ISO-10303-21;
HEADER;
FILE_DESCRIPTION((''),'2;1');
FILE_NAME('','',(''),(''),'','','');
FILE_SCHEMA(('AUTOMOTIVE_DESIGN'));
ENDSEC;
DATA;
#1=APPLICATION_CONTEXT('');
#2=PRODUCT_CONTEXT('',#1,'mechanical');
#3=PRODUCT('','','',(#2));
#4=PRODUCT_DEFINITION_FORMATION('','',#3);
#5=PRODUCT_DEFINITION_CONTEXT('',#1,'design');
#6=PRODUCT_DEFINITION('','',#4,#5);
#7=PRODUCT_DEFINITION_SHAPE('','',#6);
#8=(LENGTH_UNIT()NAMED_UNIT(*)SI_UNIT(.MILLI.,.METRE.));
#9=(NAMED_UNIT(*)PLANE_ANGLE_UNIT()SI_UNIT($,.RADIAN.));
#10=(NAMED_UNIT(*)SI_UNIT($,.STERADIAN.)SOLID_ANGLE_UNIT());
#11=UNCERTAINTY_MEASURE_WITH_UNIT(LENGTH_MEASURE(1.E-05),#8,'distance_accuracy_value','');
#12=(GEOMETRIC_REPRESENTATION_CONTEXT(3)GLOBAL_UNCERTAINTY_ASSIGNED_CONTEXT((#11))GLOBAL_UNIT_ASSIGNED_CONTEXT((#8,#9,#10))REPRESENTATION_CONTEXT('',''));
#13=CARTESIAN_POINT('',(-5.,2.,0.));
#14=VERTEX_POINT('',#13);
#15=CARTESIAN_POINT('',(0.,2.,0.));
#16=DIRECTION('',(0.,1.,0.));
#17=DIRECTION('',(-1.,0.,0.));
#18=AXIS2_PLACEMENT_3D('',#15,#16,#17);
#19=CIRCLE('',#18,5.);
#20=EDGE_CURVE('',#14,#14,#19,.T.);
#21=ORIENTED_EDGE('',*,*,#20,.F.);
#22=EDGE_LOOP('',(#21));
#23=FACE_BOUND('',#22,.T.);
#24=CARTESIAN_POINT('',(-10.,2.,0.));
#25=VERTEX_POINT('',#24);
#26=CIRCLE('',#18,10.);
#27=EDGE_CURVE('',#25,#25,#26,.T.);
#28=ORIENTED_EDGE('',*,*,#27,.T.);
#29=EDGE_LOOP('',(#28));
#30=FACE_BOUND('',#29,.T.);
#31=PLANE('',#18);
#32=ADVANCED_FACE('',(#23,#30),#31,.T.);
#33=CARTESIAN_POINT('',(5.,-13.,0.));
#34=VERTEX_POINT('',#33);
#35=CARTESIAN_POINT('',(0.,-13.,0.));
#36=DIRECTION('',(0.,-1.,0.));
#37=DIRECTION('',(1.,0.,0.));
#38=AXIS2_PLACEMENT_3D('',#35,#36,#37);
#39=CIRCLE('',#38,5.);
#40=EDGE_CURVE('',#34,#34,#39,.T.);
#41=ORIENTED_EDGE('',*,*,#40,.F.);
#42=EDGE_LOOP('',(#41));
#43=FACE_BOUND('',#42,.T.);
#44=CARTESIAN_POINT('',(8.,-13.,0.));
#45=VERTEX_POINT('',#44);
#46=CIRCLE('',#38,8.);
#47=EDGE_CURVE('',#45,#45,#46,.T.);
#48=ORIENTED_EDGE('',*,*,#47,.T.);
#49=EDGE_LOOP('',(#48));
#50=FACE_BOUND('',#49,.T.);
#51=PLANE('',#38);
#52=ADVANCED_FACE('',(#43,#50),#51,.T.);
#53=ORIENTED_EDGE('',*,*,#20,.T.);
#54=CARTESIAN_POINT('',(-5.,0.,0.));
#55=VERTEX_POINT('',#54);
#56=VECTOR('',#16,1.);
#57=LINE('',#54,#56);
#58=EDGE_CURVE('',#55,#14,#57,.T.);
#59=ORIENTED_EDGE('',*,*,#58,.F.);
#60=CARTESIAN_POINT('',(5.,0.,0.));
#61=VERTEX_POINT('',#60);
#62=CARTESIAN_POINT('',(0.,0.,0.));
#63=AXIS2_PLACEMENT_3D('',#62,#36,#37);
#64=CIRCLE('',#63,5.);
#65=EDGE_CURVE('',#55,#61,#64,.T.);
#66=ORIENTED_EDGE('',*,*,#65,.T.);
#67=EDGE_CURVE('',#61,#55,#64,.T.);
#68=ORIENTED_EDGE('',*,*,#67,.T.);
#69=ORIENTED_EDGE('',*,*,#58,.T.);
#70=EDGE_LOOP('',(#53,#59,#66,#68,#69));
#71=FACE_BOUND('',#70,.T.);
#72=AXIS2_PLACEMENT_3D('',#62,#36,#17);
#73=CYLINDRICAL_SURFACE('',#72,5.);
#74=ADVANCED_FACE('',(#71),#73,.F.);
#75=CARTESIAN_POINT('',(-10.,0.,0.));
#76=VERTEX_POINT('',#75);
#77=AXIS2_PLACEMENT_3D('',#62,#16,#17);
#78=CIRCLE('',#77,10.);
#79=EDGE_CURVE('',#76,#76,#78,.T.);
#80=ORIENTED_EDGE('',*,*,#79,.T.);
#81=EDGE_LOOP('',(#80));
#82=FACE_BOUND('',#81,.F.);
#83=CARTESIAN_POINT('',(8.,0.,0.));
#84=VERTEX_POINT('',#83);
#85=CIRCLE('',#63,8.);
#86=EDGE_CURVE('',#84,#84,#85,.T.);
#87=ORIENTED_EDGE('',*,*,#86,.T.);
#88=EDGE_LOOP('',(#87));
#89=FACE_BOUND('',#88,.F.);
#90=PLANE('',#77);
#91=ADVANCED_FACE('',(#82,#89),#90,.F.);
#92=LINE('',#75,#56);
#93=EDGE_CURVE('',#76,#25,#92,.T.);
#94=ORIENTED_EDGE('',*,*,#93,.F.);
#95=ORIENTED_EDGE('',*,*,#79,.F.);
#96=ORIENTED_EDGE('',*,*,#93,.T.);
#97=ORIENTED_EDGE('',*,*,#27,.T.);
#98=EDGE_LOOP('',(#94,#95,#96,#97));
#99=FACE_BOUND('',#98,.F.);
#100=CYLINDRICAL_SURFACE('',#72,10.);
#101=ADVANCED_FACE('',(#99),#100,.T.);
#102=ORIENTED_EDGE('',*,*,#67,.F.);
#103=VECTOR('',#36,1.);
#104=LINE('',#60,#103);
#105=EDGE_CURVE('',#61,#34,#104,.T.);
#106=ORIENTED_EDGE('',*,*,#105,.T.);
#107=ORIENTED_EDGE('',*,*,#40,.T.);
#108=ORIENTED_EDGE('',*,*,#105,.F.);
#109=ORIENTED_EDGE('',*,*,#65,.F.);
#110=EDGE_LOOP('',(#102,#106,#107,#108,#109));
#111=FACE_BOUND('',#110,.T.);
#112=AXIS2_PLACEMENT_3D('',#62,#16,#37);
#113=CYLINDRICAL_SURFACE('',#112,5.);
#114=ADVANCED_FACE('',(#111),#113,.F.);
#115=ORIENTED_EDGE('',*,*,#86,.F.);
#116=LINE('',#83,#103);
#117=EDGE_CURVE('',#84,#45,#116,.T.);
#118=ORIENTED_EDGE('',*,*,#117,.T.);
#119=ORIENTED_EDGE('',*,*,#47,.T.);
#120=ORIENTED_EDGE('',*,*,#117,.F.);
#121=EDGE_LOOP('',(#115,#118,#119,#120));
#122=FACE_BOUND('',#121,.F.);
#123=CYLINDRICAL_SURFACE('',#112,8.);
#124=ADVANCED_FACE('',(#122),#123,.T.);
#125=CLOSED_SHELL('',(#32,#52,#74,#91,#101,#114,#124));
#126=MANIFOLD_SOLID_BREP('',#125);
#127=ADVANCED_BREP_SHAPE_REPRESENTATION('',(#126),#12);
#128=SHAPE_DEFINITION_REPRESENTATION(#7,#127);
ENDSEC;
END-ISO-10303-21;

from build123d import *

# Parameters (mm, degrees)
F0_R     = 8
F0_R_2   = 5
F1_DEPTH = 13
F2_R     = 10
F2_R_2   = 5
F3_DEPTH = 2


with BuildPart() as f1:
    # F0 (on Front) → F1 (new body)
    with BuildSketch(Plane.XZ):
        Circle(F0_R)
        Circle(F0_R_2, mode=Mode.SUBTRACT)
    extrude(amount=F1_DEPTH)

    # F2 (on face) → F3 (join)
    with BuildSketch(Plane(origin=(0, 0, 0), x_dir=(-1, 0, 0), z_dir=(0, 1, 0))):
        Circle(F2_R)
        Circle(F2_R_2, mode=Mode.SUBTRACT)
    extrude(amount=F3_DEPTH)


solid = f1.part
